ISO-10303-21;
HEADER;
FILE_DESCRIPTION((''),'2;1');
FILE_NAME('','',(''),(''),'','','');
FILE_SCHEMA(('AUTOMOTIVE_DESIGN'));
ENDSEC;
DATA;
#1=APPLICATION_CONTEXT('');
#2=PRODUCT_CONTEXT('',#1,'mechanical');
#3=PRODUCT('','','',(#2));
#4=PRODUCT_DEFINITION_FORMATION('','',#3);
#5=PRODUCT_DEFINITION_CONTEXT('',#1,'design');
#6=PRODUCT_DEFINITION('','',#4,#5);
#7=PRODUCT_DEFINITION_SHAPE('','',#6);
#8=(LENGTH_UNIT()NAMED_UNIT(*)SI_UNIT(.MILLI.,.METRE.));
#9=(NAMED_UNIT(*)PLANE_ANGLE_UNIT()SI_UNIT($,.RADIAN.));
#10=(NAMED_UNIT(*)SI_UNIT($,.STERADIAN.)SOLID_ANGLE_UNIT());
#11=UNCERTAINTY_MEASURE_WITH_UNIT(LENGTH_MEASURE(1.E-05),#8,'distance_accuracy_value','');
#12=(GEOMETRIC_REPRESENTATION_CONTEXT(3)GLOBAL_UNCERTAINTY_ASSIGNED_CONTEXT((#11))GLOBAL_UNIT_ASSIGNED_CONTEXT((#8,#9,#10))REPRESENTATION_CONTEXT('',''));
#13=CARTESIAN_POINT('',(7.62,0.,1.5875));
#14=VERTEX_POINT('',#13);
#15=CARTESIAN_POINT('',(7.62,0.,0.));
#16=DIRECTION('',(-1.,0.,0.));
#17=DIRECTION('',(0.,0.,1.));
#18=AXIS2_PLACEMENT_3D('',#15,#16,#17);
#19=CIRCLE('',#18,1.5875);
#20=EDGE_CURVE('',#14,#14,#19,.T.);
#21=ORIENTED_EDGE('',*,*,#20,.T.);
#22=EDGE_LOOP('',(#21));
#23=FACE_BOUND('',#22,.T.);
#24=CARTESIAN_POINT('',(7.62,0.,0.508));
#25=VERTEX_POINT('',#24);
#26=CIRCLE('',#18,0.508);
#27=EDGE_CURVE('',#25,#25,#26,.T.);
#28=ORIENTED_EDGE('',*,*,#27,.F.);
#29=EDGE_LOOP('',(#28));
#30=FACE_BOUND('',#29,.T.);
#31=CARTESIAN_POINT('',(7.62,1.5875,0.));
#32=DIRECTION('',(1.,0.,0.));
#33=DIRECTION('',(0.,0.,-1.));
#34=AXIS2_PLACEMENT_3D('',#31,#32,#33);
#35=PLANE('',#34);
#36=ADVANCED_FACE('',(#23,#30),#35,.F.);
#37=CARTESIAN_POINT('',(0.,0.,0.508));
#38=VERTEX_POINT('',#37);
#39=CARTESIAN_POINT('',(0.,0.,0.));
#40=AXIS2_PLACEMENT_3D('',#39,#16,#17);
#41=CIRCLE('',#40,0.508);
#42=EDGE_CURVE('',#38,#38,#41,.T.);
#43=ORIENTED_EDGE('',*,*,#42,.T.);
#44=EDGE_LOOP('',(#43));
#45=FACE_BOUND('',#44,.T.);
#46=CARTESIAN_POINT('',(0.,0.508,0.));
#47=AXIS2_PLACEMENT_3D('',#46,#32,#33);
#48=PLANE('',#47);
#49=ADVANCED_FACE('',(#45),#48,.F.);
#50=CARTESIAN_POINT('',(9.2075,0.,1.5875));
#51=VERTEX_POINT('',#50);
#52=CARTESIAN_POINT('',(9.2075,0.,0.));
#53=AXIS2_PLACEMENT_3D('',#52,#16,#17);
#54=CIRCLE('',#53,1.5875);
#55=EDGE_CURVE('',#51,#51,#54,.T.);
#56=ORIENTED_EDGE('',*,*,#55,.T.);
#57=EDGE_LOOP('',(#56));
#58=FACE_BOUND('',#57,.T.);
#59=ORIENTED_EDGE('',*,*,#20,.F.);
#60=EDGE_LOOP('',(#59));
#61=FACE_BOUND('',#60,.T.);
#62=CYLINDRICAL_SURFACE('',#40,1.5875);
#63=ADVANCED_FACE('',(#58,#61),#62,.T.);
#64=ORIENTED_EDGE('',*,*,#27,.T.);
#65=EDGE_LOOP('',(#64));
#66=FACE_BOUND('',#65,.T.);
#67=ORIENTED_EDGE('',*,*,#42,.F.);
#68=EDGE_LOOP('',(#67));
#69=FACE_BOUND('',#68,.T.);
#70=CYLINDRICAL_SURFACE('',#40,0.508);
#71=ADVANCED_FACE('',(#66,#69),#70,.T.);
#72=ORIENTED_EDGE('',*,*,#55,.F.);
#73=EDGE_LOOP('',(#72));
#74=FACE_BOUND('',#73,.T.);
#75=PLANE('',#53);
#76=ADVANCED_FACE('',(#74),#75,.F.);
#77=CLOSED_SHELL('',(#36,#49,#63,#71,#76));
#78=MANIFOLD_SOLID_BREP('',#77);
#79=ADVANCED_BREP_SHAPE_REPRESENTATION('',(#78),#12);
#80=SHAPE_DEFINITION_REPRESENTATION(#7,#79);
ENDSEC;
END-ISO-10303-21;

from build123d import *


with BuildPart() as part:
    # Sketch1 → Revolve1 (revolve)
    with BuildSketch(Plane.XY):
        Polygon((0, 0), (9.2075, 0), (9.2075, 1.5875), (7.62, 1.5875), (7.62, 0.508), (0, 0.508), align=None)
    revolve(axis=Axis((0, 0, 0), (1, 0, 0)))


solid = part.part
